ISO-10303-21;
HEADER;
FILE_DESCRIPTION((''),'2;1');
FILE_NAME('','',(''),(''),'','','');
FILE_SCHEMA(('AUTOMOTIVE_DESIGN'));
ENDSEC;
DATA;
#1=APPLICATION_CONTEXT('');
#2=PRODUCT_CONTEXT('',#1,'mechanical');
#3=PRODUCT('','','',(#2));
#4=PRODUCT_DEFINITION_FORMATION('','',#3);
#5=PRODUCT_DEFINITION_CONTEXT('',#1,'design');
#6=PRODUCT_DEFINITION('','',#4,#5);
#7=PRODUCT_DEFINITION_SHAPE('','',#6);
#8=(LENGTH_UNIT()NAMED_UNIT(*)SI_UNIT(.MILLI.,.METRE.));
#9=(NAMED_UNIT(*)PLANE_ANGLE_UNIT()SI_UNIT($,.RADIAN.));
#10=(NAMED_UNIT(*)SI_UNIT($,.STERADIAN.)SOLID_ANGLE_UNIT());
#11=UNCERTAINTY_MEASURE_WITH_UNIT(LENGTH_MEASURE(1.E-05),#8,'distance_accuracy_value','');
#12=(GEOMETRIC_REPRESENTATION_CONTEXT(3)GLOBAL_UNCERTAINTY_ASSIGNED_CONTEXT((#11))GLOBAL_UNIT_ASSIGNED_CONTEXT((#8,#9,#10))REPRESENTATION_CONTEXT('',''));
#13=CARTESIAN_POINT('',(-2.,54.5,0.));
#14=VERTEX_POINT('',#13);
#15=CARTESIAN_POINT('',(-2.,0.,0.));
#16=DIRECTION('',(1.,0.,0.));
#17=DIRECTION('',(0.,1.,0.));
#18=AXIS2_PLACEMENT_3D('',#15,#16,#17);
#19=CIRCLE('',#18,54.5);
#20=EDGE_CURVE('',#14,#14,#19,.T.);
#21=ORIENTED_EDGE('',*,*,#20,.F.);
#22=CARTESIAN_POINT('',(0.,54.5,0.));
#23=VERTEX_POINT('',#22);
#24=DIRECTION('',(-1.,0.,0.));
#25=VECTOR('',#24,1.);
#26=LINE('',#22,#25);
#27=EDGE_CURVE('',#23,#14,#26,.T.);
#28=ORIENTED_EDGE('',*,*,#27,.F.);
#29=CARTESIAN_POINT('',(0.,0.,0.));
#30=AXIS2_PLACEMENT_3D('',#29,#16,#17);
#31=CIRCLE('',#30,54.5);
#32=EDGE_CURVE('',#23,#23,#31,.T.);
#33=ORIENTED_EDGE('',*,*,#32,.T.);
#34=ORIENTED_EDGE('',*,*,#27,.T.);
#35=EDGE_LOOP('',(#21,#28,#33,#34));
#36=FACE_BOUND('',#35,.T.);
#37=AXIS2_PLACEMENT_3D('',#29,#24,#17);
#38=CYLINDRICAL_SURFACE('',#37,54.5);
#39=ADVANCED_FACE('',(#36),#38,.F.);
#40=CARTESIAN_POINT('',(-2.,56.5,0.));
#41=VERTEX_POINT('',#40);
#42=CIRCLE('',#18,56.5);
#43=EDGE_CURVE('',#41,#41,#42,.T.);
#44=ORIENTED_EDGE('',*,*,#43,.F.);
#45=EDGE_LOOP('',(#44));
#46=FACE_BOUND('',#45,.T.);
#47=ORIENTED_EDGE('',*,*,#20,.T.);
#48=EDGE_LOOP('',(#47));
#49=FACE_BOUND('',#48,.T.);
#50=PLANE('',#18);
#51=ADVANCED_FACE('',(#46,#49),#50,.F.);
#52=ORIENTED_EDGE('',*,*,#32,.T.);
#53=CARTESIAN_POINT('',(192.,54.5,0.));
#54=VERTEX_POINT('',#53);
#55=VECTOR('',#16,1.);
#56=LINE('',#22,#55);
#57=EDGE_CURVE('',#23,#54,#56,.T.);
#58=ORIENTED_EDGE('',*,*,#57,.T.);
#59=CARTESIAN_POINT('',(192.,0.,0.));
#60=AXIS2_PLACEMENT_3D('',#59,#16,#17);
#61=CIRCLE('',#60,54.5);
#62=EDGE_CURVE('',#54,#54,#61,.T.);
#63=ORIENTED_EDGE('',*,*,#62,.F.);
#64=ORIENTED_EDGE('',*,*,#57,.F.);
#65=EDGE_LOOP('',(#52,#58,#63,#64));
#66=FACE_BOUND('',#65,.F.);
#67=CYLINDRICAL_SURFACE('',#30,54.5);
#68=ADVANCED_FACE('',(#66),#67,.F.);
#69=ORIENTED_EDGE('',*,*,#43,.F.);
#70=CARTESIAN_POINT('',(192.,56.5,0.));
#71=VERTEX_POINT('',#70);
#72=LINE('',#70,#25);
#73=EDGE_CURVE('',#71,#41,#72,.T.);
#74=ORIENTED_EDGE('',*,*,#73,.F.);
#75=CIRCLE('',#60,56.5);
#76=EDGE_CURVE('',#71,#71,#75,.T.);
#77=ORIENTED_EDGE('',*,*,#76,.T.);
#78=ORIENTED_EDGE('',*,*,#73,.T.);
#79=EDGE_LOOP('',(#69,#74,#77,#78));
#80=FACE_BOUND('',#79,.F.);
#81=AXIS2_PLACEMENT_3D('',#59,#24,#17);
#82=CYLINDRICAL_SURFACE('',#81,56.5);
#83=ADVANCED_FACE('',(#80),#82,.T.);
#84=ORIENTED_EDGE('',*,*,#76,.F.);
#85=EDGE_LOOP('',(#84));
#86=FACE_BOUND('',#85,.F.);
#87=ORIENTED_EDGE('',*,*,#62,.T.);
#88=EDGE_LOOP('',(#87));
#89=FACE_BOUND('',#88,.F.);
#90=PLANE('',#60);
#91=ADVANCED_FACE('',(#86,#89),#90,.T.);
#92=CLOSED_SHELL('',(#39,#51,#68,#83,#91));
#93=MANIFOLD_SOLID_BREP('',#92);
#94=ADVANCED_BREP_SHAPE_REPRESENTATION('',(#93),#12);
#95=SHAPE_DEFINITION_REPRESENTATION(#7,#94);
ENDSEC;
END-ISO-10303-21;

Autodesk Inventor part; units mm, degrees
ref_plane "YZ Plane" through (0, 0, 0) normal (1, 0, 0) x (0, 1, 0)
ref_plane "XZ Plane" through (0, 0, 0) normal (0, 1, 0) x (-1, 0, 0)
ref_plane "XY Plane" through (0, 0, 0) normal (0, 0, 1) x (1, 0, 0)
sketch "Sketch1" plane through (0, 0, 0) normal (0, 0, 1) x (1, 0, 0)
  line L0 (0, 0) -> (200, 0) construction
  line L1 (0, 0) -> (0, 54.5) construction
  line L2 (0, 54.5) -> (192, 54.5)
  line L3 (192, 54.5) -> (192, 0) construction
  line L4 (196, 0) -> (196, 56.5) construction
  line L5 (192, 56.5) -> (-2, 56.5)
  line L6 (-2, 56.5) -> (-2, -2) construction
  line L7 (-2, -2) -> (200, -2) construction
  line L8 (192, 54.5) -> (192, 56.5)
  line L9 (0, 54.5) -> (-2, 54.5)
  line L10 (-2, 54.5) -> (-2, 56.5)
  dimension "d7" = 54.5
  dimension "d8" = 192
  dimension "d9" = 200
  dimension "d10" = 2
revolve "Revolution1" add sketch "Sketch1" angle 360 about axis through (0, 0, 0) along (1, 0, 0)
properties part number "stainless steel final chamber" material "Stainless Steel"
